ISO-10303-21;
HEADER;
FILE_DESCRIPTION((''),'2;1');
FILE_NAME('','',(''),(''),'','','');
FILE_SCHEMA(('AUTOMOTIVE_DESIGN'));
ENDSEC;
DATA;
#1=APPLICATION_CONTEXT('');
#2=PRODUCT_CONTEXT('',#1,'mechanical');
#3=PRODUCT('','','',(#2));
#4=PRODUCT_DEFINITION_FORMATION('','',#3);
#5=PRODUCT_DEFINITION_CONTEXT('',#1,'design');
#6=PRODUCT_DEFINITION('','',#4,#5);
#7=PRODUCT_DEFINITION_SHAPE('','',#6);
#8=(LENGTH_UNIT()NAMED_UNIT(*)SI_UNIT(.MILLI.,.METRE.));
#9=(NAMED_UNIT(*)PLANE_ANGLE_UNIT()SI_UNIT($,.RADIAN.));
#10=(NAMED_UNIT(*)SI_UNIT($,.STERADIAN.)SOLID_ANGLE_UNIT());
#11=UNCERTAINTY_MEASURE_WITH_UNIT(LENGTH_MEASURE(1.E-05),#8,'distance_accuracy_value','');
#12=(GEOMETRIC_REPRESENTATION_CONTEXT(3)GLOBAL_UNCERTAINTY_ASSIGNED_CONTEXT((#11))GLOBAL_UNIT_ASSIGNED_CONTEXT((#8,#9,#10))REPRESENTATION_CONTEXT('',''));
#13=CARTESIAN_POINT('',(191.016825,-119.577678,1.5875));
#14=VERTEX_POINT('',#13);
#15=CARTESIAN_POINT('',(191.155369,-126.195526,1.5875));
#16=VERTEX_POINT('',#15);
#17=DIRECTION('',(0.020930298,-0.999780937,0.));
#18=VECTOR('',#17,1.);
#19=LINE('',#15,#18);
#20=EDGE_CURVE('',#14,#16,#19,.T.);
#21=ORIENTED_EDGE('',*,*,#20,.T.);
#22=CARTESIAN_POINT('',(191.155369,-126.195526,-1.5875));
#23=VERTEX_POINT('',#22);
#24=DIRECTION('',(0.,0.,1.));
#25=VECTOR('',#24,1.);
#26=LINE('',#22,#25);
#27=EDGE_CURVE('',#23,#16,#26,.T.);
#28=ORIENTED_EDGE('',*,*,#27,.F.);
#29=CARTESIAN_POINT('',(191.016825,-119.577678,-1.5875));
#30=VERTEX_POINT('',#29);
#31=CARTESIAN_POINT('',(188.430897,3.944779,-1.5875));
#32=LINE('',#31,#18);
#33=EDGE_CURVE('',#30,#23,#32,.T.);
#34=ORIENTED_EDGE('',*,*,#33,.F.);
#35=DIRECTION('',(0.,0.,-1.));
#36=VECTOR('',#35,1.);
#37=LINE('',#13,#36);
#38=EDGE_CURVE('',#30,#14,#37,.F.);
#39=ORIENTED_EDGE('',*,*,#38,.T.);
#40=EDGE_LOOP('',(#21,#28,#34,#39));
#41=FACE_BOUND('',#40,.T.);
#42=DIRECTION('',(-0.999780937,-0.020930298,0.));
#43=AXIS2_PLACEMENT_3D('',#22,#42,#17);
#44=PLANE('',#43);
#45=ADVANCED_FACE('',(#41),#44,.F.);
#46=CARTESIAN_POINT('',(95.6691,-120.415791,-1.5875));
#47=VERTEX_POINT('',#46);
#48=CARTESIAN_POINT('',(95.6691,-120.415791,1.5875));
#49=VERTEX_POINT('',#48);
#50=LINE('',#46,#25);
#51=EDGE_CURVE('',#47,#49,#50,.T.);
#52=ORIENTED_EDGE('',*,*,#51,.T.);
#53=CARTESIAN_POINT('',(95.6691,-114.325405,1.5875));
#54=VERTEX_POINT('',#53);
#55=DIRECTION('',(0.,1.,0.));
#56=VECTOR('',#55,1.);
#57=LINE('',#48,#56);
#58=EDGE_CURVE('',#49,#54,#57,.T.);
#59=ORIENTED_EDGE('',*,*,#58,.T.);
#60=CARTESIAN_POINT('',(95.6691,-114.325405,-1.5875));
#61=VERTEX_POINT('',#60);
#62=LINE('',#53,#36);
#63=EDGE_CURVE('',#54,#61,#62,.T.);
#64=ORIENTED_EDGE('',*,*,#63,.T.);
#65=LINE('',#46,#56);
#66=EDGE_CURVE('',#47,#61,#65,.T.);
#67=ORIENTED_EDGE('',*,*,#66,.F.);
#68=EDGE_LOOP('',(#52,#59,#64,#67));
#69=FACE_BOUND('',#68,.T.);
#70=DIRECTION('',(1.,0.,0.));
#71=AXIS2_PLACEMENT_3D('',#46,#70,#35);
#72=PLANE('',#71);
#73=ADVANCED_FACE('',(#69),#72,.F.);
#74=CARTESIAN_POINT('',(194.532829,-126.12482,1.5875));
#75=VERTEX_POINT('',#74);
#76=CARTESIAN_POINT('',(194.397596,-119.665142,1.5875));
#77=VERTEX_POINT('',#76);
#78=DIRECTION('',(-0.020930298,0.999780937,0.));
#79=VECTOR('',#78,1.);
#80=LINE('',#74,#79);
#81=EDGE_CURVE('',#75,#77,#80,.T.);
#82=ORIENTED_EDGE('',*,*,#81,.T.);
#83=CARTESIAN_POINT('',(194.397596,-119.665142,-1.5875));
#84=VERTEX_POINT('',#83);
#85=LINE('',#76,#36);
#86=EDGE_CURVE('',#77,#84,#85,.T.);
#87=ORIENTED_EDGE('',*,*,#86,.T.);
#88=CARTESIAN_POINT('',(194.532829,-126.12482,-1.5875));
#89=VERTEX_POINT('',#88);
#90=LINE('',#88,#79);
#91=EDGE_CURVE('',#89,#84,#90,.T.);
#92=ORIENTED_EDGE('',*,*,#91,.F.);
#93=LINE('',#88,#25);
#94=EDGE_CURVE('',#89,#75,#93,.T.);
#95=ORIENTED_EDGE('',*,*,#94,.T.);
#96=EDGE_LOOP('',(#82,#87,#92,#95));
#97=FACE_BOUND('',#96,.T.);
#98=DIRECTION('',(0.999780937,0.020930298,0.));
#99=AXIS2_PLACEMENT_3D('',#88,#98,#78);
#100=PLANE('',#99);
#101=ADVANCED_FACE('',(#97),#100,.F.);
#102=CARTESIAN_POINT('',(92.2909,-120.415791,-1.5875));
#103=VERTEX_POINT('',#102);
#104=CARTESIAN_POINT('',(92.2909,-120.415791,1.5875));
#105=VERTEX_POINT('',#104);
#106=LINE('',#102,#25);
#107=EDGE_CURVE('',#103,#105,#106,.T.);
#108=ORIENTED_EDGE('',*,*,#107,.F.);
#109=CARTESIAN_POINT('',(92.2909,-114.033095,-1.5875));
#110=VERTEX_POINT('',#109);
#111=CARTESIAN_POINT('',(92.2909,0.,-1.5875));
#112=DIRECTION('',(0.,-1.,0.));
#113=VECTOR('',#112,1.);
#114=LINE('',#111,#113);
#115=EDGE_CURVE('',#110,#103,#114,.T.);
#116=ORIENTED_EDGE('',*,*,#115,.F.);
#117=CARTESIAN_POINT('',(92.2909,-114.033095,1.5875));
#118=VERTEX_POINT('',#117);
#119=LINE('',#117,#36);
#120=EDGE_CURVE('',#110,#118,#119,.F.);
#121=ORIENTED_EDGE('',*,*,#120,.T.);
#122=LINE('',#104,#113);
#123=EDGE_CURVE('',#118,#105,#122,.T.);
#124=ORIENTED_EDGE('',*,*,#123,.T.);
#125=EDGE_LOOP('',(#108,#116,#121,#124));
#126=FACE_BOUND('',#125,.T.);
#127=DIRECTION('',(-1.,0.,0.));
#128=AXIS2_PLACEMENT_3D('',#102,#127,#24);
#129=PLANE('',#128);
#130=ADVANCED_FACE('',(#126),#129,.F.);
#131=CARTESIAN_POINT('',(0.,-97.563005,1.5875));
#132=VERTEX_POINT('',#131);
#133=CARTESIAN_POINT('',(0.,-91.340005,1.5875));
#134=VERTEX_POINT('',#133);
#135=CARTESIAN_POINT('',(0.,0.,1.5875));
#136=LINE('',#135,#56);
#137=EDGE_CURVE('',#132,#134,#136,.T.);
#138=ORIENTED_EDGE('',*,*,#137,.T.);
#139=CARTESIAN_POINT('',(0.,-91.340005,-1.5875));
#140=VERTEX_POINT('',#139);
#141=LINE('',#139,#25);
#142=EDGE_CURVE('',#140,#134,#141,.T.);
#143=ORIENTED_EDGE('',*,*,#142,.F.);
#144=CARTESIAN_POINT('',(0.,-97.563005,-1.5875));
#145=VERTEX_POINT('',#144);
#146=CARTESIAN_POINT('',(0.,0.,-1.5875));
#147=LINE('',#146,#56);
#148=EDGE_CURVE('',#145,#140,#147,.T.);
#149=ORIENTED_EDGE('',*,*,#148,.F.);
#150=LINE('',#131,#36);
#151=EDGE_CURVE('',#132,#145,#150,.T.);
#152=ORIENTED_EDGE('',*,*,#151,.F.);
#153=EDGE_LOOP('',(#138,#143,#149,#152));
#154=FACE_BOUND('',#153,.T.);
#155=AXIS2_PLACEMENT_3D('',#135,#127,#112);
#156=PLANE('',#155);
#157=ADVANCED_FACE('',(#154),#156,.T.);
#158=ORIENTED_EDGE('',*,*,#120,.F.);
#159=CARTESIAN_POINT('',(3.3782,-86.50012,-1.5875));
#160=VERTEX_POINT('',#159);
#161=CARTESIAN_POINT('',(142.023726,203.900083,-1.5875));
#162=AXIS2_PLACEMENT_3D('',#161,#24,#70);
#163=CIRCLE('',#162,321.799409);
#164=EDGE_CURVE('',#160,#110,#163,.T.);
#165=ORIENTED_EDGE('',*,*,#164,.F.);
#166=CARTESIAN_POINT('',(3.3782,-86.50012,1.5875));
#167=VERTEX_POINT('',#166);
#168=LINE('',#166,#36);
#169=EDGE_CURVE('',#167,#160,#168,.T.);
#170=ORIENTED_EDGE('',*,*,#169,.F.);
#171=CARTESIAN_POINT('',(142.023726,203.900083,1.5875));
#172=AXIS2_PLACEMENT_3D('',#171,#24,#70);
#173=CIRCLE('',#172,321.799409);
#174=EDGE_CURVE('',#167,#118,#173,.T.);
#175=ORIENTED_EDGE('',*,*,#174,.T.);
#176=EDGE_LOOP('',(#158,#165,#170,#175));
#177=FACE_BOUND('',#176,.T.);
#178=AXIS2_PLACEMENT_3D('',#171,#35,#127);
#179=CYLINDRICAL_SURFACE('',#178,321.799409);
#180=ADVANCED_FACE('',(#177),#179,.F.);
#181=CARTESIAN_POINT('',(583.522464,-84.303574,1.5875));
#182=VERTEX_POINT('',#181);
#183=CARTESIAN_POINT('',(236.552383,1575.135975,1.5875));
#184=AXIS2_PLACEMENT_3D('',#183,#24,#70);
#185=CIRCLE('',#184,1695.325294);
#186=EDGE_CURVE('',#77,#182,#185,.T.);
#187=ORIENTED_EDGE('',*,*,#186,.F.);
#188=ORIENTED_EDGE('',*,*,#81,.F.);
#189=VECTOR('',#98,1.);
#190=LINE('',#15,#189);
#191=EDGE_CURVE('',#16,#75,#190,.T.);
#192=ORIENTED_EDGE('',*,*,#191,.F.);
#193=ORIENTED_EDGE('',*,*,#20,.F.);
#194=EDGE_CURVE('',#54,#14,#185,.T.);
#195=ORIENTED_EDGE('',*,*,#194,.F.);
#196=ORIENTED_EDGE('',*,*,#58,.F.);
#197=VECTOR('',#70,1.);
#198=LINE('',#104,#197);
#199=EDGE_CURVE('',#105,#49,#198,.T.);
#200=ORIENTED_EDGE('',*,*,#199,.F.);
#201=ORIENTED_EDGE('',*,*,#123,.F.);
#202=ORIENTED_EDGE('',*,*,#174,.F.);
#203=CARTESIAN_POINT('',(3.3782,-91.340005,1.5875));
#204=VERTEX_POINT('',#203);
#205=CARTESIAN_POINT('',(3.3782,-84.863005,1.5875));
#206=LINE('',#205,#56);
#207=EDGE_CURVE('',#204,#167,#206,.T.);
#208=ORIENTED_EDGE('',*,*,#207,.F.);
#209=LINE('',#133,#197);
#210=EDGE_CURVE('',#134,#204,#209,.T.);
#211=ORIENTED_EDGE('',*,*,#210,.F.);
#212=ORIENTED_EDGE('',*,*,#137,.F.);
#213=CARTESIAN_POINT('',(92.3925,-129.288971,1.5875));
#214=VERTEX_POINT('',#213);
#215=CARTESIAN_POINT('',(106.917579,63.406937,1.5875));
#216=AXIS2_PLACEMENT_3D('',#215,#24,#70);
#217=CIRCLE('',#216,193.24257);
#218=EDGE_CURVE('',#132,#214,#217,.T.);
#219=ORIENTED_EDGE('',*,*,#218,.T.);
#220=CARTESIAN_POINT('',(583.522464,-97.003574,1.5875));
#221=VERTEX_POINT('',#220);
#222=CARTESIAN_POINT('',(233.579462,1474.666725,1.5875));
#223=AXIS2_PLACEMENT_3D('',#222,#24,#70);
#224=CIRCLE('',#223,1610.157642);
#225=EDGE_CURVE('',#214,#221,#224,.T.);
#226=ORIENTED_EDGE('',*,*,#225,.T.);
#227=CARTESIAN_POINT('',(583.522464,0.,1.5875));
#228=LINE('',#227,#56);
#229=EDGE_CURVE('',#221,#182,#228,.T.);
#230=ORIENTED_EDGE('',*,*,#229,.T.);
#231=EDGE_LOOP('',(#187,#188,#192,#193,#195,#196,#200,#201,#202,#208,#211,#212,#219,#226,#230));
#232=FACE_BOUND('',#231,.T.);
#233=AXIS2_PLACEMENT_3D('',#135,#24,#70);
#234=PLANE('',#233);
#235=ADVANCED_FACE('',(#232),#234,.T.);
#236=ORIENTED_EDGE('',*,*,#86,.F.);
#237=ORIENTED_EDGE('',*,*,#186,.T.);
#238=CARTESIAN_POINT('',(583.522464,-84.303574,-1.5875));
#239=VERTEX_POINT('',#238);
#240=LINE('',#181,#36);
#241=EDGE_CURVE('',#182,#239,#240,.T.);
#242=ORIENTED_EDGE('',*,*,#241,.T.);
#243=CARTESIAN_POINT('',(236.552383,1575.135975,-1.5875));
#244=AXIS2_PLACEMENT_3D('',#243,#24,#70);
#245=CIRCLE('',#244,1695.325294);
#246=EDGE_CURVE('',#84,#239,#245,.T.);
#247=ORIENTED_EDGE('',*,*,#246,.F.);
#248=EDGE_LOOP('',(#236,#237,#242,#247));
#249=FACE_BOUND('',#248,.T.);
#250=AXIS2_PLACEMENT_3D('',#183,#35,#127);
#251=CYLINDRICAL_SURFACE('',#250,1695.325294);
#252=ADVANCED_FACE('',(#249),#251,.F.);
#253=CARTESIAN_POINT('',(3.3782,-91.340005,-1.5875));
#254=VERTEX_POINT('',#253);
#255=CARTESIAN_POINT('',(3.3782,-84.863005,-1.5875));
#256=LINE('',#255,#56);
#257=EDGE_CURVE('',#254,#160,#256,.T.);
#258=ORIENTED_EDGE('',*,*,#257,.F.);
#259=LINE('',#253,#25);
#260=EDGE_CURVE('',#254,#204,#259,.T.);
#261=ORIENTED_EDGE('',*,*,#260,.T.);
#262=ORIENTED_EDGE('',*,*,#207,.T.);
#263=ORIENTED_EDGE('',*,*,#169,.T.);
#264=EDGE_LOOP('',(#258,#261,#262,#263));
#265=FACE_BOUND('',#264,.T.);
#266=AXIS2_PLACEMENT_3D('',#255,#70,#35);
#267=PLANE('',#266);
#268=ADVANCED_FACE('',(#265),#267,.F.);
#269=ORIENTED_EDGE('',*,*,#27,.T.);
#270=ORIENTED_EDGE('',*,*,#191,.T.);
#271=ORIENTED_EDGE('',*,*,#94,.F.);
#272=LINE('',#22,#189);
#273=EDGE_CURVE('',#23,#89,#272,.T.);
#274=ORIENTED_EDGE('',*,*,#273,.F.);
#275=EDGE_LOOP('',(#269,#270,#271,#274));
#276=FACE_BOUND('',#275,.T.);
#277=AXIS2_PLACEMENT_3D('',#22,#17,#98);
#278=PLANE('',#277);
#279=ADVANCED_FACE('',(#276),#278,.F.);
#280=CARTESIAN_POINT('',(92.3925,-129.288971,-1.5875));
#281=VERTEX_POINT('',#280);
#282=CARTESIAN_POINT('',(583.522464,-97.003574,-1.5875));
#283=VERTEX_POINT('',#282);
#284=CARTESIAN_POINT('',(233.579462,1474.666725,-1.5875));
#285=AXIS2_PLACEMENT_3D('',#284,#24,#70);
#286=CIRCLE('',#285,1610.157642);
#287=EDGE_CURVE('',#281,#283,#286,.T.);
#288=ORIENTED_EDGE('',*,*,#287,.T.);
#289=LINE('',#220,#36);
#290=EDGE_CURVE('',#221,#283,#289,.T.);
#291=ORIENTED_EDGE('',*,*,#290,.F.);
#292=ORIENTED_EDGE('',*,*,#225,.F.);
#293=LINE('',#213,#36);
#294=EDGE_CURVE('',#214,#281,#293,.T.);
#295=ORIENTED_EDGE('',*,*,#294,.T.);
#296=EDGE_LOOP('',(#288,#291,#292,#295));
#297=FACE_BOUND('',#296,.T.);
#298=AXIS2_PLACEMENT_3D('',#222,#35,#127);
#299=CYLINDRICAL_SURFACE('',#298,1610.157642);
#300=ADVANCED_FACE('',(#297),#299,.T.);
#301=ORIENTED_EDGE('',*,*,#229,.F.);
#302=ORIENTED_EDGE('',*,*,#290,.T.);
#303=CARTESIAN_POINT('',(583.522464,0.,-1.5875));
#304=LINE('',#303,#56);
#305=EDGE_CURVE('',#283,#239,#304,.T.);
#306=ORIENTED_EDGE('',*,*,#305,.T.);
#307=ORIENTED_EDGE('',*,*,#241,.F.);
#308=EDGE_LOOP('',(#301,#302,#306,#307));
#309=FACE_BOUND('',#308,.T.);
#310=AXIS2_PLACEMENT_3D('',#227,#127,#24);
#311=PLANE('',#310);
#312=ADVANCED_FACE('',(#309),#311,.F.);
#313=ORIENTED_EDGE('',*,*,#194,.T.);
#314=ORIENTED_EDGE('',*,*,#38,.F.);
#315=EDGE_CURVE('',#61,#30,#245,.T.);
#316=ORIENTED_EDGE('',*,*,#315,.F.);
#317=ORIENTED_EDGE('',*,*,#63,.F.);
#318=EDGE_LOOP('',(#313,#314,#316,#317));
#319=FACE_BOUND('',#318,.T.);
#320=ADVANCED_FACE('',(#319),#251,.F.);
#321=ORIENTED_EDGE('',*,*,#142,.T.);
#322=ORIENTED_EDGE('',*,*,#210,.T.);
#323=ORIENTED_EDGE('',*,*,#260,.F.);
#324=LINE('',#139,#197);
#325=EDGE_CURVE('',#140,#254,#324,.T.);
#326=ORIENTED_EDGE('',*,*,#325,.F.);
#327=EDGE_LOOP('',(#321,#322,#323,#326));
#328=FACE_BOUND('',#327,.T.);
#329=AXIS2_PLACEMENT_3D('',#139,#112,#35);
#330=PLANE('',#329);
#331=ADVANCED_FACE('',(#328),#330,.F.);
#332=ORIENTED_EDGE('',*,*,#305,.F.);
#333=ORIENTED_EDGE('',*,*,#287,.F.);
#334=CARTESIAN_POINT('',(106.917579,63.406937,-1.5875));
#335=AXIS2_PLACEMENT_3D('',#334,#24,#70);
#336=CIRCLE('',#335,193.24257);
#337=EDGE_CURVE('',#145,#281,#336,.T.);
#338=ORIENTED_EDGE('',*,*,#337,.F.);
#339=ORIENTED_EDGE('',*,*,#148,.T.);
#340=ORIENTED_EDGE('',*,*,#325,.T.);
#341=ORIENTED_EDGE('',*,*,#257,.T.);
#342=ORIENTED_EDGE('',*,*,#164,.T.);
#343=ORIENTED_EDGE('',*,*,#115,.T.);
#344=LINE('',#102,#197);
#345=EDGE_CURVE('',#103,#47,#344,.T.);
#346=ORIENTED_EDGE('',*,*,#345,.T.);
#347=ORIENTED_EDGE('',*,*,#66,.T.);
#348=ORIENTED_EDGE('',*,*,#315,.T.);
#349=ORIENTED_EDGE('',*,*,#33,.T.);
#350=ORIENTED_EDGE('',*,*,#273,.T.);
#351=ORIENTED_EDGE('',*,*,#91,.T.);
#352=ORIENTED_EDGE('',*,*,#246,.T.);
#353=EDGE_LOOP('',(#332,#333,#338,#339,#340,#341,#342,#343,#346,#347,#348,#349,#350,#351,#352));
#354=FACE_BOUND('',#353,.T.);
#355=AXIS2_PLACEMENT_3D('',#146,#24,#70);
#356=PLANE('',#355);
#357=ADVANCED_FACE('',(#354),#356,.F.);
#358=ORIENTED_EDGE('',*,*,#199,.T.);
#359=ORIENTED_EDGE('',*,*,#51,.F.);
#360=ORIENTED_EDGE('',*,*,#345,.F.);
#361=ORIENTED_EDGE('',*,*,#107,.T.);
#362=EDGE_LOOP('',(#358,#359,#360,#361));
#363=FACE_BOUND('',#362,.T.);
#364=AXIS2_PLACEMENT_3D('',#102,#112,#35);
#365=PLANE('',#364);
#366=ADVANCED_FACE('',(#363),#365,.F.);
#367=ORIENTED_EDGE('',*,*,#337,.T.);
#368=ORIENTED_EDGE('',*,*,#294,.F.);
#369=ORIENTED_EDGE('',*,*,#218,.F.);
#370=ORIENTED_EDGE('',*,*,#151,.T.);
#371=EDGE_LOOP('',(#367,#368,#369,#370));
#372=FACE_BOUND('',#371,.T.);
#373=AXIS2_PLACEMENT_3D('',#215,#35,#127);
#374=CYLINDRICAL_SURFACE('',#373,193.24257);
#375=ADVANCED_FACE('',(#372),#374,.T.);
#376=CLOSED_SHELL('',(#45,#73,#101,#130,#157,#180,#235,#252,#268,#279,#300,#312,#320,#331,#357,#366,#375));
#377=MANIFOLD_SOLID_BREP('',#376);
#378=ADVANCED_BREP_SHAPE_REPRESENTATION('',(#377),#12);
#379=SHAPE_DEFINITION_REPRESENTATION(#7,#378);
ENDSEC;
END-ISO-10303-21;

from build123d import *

# Parameters (mm, degrees)
BOSS_EXTRUDE1_DEPTH = 1.5875
SKETCH2_W           = 3.3782
SKETCH2_H           = 6.477
SKETCH2_H_2         = 12.7
CUT_EXTRUDE1_DEPTH  = 4.175


with BuildPart() as part:
    # Sketch1 → Boss-Extrude1 (new body, symmetric)
    with BuildSketch(Plane.XY):
        with BuildLine():
            Line((0, -97.563004684), (0, -84.863004684))
            ThreePointArc((0, -84.863004684), (45.091480007, -102.953300884), (92.3925, -114.048970912))
            ThreePointArc((92.3925, -114.048970912), (339.042339878, -117.088496575), (583.522463964, -84.303573898))
            Line((583.522463964, -84.303573898), (583.522463964, -97.003573898))
            ThreePointArc((583.522463964, -97.003573898), (339.198389145, -132.023125314), (92.3925, -129.288970912))
            ThreePointArc((92.3925, -129.288970912), (44.158404147, -119.360611557), (0, -97.563004684))
        make_face()
    extrude(amount=BOSS_EXTRUDE1_DEPTH, both=True)

    # Sketch2 → Cut-Extrude1 (cut, through all)
    with BuildSketch(Plane.XY.offset(1.5875)):
        with Locations((1.6891, -88.101504684)):
            Rectangle(SKETCH2_W, SKETCH2_H)
        with Locations((93.98, -114.06579143)):
            Rectangle(SKETCH2_W, SKETCH2_H_2)
        Polygon((191.155368795, -126.195526401), (194.532828758, -126.124819669), (194.267013976, -113.427601765), (190.889554014, -113.498308497), align=None)
    extrude(amount=-CUT_EXTRUDE1_DEPTH, mode=Mode.SUBTRACT)


solid = part.part
